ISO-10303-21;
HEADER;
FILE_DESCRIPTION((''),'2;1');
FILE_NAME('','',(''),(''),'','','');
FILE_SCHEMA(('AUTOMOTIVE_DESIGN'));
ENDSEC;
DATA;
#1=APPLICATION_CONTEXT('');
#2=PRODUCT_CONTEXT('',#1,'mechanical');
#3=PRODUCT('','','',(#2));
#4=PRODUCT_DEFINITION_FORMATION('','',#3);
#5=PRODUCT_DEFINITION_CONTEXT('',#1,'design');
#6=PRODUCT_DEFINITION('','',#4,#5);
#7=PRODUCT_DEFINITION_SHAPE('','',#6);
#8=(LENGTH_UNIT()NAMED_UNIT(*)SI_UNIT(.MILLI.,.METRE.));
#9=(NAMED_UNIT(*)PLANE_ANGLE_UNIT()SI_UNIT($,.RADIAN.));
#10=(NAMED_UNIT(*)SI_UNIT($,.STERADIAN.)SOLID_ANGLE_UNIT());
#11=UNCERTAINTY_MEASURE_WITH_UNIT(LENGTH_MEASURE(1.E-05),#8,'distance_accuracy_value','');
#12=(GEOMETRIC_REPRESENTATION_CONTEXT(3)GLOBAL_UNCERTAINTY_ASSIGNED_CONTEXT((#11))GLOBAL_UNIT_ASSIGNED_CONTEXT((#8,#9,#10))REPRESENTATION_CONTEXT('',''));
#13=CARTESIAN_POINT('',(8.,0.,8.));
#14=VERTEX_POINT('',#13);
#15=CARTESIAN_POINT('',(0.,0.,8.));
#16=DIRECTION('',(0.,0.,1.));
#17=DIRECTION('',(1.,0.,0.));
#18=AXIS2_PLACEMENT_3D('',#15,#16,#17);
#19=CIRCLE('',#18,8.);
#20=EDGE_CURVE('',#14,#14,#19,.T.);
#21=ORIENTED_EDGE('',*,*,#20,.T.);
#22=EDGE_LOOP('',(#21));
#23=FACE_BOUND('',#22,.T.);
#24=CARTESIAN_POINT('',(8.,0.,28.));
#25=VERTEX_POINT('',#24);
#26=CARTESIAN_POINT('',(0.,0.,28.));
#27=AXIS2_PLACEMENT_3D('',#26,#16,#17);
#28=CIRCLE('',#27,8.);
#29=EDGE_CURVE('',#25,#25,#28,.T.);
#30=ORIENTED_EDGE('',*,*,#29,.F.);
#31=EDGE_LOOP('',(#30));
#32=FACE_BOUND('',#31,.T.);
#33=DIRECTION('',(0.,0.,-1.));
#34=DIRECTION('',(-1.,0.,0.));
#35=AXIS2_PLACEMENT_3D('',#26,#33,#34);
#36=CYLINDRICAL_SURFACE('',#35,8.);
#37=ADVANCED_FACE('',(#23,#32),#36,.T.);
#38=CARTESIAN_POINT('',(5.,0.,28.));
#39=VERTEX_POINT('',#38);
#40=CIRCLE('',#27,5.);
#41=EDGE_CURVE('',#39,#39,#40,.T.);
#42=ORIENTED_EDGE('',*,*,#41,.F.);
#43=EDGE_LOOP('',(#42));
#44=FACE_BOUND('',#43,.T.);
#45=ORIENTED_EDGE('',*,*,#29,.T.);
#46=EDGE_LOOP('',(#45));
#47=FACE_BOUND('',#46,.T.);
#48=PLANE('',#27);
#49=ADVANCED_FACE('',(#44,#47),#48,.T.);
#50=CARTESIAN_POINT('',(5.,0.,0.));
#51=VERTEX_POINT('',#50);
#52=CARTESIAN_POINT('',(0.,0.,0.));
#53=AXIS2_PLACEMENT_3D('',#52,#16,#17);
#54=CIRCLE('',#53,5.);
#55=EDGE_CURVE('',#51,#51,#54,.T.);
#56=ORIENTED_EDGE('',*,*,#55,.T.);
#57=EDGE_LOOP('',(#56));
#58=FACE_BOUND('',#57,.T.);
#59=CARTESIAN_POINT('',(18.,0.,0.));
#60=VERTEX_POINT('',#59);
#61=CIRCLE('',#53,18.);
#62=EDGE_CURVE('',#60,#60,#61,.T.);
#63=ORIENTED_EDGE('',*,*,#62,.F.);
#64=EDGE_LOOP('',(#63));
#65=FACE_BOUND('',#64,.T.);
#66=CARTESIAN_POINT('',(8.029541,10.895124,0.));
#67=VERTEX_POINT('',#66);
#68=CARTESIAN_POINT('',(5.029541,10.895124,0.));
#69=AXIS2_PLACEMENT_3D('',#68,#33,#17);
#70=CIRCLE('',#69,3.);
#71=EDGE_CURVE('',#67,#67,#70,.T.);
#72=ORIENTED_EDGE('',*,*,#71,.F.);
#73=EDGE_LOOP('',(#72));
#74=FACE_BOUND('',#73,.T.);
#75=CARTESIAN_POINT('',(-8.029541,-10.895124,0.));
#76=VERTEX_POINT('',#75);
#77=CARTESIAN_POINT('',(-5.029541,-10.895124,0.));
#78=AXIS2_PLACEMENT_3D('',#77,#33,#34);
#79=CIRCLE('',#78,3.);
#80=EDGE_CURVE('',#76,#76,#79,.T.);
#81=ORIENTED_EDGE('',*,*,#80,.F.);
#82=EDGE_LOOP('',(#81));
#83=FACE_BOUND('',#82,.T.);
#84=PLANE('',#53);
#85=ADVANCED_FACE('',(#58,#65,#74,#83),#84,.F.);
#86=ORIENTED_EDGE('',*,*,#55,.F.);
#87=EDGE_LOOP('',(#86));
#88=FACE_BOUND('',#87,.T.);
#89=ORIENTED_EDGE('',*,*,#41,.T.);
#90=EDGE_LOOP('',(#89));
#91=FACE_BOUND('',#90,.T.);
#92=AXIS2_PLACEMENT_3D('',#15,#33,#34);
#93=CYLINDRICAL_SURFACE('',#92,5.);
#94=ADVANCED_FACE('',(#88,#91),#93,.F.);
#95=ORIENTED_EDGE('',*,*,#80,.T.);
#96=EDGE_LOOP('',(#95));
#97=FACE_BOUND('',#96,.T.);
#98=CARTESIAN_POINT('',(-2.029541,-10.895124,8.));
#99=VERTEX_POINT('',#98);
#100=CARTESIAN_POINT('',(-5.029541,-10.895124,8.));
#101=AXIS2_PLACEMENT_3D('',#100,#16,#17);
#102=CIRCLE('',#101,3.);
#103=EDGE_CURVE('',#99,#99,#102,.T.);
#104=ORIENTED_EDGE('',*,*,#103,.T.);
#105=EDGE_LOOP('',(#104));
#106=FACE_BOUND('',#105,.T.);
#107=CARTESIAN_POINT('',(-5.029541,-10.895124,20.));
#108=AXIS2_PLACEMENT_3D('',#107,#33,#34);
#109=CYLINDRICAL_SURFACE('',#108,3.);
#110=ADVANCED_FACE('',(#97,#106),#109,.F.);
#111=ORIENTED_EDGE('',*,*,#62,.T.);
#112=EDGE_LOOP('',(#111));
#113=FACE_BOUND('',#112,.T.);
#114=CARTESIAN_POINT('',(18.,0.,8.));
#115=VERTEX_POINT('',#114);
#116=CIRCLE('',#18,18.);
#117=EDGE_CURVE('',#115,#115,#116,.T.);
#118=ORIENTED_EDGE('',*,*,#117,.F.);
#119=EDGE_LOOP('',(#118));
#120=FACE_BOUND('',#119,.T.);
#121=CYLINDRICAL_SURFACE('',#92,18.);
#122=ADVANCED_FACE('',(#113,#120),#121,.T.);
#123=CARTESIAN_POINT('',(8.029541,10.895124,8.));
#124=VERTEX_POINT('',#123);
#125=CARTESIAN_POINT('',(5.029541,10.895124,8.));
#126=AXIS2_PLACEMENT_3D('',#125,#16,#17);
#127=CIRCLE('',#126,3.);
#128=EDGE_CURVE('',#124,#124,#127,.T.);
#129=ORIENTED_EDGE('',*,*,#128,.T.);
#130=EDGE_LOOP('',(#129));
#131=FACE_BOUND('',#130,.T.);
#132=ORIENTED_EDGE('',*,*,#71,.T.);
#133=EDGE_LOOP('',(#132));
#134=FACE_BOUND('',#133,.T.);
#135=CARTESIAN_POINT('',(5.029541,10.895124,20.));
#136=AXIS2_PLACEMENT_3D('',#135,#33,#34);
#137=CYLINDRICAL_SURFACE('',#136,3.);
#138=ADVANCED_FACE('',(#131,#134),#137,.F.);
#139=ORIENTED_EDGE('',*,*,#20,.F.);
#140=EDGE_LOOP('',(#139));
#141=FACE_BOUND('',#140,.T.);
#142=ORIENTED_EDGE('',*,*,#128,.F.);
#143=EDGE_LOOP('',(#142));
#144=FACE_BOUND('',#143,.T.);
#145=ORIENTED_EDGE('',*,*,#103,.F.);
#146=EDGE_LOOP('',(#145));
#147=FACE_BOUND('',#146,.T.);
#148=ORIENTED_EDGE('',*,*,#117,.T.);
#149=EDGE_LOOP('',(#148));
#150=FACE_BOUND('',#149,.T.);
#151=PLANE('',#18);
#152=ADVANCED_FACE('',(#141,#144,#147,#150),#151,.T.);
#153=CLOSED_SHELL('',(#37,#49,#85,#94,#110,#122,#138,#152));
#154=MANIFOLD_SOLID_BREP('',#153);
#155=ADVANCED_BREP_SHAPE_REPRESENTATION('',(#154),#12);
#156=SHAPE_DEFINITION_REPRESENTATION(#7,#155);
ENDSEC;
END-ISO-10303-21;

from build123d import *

# Parameters (mm, degrees)
SKETCH_1_R               = 18
SKETCH_1_R_2             = 5
EXTRUDE_1_DEPTH          = 8
SKETCH_2_R               = 8
SKETCH_2_R_2             = 5
EXTRUDE_2_DEPTH          = 20
SKETCH_3_R               = 3
CUT_EXTRUDE_1_DEPTH      = 20
PATTERN_CIRCULAR_1_COUNT = 2


with BuildPart() as part:
    # Эскиз1 → Бобышка-Вытянуть1 (new body)
    with BuildSketch(Plane.XY):
        Circle(SKETCH_1_R)
        Circle(SKETCH_1_R_2, mode=Mode.SUBTRACT)
    extrude(amount=EXTRUDE_1_DEPTH)

    # Эскиз2 → Бобышка-Вытянуть2 (add)
    with BuildSketch(Plane.XY.offset(8)):
        Circle(SKETCH_2_R)
        Circle(SKETCH_2_R_2, mode=Mode.SUBTRACT)
    extrude(amount=EXTRUDE_2_DEPTH)

    # Эскиз3 → Вырез-Вытянуть1 (cut)
    with BuildSketch(Plane(origin=(0, 0, 0), x_dir=(-1, 0, 0), z_dir=(0, 0, -1))):
        with Locations((5.029540605, -10.89512374)):
            Circle(SKETCH_3_R)
    cut_extrude_1 = extrude(amount=-CUT_EXTRUDE_1_DEPTH, mode=Mode.SUBTRACT)

    # Круговой массив1: Вырез-Вытянуть1 ×2 about axis
    pattern_circular_1_axis = Axis((0, 0, 0), (0, 0, 1))
    for i in range(1, PATTERN_CIRCULAR_1_COUNT):
        add(cut_extrude_1.rotate(pattern_circular_1_axis, i * 360 / PATTERN_CIRCULAR_1_COUNT), mode=Mode.SUBTRACT)


solid = part.part
